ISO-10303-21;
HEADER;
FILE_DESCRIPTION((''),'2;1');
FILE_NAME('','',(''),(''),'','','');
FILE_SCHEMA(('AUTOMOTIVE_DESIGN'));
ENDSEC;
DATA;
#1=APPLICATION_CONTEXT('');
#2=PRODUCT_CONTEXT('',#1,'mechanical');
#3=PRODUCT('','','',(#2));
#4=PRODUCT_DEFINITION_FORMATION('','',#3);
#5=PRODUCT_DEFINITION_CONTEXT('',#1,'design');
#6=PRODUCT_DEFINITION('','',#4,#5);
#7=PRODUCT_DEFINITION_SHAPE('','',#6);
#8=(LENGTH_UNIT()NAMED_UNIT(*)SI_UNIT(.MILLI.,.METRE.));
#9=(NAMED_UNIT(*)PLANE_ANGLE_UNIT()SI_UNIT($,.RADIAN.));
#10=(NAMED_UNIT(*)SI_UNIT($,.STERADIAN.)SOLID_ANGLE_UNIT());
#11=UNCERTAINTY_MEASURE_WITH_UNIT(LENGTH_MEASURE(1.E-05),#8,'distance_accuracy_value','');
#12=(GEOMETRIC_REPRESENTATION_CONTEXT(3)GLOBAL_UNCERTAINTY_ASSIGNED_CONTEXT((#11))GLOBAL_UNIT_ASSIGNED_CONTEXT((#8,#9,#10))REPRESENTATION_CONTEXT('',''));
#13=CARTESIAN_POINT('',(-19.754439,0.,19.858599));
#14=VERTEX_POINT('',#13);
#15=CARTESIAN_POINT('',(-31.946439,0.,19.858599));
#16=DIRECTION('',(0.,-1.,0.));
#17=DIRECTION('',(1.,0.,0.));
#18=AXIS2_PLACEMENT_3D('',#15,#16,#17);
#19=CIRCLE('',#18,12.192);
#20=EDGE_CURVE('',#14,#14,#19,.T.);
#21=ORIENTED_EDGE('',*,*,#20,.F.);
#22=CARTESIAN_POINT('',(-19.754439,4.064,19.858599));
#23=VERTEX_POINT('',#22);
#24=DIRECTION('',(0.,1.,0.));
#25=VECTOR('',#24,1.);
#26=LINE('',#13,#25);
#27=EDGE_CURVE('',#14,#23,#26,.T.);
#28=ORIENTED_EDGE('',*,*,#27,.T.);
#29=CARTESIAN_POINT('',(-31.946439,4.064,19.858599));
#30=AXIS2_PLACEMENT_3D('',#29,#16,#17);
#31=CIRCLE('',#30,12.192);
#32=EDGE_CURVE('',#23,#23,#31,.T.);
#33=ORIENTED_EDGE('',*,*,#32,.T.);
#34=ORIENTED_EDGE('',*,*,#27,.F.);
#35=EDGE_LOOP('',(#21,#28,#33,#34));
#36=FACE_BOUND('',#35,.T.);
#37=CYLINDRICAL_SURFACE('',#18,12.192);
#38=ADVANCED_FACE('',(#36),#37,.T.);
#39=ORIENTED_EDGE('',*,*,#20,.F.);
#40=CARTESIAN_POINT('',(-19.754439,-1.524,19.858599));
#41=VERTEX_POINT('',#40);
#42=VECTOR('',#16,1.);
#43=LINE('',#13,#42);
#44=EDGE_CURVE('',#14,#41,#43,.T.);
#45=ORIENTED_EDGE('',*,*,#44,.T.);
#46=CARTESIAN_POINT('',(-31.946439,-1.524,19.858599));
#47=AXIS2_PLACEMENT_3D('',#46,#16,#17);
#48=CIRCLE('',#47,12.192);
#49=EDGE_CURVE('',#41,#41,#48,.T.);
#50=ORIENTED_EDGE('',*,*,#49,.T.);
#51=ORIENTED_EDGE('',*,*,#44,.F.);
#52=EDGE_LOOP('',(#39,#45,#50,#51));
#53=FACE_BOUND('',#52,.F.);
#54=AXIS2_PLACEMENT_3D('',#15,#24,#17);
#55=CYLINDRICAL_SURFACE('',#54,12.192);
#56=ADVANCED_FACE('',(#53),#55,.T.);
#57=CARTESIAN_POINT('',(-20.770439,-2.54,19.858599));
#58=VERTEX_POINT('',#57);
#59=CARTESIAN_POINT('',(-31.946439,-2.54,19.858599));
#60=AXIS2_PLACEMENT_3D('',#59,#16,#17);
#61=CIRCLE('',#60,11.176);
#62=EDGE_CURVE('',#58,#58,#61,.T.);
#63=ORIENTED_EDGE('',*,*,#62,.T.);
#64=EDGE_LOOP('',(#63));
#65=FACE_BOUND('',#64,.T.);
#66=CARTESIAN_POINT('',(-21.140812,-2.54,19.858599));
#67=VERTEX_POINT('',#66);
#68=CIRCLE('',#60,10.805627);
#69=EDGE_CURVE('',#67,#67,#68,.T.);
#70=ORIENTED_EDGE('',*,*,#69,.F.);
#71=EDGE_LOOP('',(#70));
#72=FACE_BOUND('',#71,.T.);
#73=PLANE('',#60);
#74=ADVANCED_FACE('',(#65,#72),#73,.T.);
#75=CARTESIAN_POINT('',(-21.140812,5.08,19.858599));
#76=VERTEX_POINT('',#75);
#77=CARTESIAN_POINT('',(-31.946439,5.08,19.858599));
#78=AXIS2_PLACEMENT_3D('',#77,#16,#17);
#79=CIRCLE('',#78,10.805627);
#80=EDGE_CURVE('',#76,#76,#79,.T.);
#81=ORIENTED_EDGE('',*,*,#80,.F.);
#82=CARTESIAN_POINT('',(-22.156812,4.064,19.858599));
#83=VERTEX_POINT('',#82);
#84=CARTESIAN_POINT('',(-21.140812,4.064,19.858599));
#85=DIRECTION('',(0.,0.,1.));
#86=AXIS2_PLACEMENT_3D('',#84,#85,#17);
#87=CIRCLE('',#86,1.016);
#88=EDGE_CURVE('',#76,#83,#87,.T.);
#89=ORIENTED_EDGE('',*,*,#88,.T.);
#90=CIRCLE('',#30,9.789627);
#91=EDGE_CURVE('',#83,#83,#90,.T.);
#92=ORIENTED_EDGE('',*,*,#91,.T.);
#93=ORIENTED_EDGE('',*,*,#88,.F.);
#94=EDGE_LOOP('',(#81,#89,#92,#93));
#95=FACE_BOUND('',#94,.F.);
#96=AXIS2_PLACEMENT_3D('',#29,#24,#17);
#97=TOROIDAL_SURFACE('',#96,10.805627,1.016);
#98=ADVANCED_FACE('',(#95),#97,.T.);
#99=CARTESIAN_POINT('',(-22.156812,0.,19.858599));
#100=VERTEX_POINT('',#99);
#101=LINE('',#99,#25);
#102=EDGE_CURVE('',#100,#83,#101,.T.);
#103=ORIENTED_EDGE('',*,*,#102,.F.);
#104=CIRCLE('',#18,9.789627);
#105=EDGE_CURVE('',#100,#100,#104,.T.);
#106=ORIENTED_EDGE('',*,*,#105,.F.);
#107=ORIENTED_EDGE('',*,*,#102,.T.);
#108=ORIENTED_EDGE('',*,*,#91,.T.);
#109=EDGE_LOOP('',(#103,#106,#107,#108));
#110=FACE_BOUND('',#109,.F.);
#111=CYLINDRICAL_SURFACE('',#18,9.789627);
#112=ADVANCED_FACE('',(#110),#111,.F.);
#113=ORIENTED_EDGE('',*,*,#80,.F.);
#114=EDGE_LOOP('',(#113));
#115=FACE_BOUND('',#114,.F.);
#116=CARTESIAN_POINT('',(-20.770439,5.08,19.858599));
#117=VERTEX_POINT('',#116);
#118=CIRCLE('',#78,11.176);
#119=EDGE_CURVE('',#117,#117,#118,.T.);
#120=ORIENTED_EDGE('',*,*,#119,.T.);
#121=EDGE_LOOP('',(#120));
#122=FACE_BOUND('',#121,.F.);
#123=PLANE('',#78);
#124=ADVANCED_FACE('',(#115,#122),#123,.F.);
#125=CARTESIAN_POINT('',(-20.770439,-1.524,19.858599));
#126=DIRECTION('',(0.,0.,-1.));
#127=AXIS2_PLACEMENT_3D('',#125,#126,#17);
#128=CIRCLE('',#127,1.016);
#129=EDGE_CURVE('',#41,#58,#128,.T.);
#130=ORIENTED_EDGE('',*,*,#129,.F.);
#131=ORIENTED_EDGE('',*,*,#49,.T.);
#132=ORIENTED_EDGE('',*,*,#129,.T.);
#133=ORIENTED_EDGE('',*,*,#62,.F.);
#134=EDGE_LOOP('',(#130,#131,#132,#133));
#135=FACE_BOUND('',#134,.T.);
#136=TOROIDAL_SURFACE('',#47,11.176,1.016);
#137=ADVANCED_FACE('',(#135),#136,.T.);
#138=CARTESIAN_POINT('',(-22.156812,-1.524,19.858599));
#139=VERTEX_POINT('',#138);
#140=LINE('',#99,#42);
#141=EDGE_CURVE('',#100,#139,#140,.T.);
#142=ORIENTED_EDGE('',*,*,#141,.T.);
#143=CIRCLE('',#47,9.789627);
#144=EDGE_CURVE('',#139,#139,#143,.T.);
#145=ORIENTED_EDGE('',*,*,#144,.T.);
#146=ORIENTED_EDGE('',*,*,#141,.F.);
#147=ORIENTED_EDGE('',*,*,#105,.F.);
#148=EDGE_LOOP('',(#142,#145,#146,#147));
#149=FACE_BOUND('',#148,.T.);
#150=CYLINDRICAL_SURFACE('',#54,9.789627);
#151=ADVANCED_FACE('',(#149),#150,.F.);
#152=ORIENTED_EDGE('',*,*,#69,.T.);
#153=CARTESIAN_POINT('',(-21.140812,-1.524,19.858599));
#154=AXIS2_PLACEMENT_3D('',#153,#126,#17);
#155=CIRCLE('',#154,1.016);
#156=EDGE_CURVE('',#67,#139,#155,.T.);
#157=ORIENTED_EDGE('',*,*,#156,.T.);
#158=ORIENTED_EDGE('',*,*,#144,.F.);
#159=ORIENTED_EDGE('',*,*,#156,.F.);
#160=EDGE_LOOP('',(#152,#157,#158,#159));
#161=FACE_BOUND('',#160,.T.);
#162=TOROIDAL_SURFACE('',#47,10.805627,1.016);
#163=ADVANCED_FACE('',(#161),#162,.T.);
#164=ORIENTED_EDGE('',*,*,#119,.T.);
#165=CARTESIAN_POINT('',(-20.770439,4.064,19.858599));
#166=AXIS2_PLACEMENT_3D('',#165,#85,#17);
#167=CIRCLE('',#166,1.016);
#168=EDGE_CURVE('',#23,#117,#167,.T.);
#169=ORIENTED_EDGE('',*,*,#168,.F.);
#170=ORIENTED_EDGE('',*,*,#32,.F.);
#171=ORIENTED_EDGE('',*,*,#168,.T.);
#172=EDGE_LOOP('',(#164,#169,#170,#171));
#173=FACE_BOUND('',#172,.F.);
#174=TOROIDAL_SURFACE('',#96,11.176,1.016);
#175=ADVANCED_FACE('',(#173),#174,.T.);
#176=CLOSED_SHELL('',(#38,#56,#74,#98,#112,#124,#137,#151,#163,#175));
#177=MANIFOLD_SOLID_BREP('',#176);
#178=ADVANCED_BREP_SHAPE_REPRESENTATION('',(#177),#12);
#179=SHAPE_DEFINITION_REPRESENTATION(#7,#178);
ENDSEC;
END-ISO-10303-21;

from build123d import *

# Parameters (mm, degrees)
F0_R     = 12.192
F0_R_2   = 9.789627
F1_DEPTH = 5.08
F2_DEPTH = 2.54
F3_R     = 1.016


with BuildPart() as f1:
    # F0 (on Front) → F1 (new body)
    with BuildSketch(Plane.XZ):
        with Locations((-31.946439, 19.858599)):
            Circle(F0_R)
        with Locations((-31.946439, 19.858599)):
            Circle(F0_R_2, mode=Mode.SUBTRACT)
    extrude(amount=-F1_DEPTH)

    # F0 (on Front) → F2 (join)
    with BuildSketch(Plane.XZ):
        with Locations((-31.946439, 19.858599)):
            Circle(F0_R)
        with Locations((-31.946439, 19.858599)):
            Circle(F0_R_2, mode=Mode.SUBTRACT)
    extrude(amount=F2_DEPTH)

    # F3
    f3_edges = [f1.edges().sort_by_distance(p)[0] for p in [
        (-44.138439, -2.54, 19.858599),
        (-41.736067, -2.54, 19.858599),
        (-41.736067, 5.08, 19.858599),
        (-44.138439, 5.08, 19.858599),
    ]]
    fillet(f3_edges, radius=F3_R)


solid = f1.part
